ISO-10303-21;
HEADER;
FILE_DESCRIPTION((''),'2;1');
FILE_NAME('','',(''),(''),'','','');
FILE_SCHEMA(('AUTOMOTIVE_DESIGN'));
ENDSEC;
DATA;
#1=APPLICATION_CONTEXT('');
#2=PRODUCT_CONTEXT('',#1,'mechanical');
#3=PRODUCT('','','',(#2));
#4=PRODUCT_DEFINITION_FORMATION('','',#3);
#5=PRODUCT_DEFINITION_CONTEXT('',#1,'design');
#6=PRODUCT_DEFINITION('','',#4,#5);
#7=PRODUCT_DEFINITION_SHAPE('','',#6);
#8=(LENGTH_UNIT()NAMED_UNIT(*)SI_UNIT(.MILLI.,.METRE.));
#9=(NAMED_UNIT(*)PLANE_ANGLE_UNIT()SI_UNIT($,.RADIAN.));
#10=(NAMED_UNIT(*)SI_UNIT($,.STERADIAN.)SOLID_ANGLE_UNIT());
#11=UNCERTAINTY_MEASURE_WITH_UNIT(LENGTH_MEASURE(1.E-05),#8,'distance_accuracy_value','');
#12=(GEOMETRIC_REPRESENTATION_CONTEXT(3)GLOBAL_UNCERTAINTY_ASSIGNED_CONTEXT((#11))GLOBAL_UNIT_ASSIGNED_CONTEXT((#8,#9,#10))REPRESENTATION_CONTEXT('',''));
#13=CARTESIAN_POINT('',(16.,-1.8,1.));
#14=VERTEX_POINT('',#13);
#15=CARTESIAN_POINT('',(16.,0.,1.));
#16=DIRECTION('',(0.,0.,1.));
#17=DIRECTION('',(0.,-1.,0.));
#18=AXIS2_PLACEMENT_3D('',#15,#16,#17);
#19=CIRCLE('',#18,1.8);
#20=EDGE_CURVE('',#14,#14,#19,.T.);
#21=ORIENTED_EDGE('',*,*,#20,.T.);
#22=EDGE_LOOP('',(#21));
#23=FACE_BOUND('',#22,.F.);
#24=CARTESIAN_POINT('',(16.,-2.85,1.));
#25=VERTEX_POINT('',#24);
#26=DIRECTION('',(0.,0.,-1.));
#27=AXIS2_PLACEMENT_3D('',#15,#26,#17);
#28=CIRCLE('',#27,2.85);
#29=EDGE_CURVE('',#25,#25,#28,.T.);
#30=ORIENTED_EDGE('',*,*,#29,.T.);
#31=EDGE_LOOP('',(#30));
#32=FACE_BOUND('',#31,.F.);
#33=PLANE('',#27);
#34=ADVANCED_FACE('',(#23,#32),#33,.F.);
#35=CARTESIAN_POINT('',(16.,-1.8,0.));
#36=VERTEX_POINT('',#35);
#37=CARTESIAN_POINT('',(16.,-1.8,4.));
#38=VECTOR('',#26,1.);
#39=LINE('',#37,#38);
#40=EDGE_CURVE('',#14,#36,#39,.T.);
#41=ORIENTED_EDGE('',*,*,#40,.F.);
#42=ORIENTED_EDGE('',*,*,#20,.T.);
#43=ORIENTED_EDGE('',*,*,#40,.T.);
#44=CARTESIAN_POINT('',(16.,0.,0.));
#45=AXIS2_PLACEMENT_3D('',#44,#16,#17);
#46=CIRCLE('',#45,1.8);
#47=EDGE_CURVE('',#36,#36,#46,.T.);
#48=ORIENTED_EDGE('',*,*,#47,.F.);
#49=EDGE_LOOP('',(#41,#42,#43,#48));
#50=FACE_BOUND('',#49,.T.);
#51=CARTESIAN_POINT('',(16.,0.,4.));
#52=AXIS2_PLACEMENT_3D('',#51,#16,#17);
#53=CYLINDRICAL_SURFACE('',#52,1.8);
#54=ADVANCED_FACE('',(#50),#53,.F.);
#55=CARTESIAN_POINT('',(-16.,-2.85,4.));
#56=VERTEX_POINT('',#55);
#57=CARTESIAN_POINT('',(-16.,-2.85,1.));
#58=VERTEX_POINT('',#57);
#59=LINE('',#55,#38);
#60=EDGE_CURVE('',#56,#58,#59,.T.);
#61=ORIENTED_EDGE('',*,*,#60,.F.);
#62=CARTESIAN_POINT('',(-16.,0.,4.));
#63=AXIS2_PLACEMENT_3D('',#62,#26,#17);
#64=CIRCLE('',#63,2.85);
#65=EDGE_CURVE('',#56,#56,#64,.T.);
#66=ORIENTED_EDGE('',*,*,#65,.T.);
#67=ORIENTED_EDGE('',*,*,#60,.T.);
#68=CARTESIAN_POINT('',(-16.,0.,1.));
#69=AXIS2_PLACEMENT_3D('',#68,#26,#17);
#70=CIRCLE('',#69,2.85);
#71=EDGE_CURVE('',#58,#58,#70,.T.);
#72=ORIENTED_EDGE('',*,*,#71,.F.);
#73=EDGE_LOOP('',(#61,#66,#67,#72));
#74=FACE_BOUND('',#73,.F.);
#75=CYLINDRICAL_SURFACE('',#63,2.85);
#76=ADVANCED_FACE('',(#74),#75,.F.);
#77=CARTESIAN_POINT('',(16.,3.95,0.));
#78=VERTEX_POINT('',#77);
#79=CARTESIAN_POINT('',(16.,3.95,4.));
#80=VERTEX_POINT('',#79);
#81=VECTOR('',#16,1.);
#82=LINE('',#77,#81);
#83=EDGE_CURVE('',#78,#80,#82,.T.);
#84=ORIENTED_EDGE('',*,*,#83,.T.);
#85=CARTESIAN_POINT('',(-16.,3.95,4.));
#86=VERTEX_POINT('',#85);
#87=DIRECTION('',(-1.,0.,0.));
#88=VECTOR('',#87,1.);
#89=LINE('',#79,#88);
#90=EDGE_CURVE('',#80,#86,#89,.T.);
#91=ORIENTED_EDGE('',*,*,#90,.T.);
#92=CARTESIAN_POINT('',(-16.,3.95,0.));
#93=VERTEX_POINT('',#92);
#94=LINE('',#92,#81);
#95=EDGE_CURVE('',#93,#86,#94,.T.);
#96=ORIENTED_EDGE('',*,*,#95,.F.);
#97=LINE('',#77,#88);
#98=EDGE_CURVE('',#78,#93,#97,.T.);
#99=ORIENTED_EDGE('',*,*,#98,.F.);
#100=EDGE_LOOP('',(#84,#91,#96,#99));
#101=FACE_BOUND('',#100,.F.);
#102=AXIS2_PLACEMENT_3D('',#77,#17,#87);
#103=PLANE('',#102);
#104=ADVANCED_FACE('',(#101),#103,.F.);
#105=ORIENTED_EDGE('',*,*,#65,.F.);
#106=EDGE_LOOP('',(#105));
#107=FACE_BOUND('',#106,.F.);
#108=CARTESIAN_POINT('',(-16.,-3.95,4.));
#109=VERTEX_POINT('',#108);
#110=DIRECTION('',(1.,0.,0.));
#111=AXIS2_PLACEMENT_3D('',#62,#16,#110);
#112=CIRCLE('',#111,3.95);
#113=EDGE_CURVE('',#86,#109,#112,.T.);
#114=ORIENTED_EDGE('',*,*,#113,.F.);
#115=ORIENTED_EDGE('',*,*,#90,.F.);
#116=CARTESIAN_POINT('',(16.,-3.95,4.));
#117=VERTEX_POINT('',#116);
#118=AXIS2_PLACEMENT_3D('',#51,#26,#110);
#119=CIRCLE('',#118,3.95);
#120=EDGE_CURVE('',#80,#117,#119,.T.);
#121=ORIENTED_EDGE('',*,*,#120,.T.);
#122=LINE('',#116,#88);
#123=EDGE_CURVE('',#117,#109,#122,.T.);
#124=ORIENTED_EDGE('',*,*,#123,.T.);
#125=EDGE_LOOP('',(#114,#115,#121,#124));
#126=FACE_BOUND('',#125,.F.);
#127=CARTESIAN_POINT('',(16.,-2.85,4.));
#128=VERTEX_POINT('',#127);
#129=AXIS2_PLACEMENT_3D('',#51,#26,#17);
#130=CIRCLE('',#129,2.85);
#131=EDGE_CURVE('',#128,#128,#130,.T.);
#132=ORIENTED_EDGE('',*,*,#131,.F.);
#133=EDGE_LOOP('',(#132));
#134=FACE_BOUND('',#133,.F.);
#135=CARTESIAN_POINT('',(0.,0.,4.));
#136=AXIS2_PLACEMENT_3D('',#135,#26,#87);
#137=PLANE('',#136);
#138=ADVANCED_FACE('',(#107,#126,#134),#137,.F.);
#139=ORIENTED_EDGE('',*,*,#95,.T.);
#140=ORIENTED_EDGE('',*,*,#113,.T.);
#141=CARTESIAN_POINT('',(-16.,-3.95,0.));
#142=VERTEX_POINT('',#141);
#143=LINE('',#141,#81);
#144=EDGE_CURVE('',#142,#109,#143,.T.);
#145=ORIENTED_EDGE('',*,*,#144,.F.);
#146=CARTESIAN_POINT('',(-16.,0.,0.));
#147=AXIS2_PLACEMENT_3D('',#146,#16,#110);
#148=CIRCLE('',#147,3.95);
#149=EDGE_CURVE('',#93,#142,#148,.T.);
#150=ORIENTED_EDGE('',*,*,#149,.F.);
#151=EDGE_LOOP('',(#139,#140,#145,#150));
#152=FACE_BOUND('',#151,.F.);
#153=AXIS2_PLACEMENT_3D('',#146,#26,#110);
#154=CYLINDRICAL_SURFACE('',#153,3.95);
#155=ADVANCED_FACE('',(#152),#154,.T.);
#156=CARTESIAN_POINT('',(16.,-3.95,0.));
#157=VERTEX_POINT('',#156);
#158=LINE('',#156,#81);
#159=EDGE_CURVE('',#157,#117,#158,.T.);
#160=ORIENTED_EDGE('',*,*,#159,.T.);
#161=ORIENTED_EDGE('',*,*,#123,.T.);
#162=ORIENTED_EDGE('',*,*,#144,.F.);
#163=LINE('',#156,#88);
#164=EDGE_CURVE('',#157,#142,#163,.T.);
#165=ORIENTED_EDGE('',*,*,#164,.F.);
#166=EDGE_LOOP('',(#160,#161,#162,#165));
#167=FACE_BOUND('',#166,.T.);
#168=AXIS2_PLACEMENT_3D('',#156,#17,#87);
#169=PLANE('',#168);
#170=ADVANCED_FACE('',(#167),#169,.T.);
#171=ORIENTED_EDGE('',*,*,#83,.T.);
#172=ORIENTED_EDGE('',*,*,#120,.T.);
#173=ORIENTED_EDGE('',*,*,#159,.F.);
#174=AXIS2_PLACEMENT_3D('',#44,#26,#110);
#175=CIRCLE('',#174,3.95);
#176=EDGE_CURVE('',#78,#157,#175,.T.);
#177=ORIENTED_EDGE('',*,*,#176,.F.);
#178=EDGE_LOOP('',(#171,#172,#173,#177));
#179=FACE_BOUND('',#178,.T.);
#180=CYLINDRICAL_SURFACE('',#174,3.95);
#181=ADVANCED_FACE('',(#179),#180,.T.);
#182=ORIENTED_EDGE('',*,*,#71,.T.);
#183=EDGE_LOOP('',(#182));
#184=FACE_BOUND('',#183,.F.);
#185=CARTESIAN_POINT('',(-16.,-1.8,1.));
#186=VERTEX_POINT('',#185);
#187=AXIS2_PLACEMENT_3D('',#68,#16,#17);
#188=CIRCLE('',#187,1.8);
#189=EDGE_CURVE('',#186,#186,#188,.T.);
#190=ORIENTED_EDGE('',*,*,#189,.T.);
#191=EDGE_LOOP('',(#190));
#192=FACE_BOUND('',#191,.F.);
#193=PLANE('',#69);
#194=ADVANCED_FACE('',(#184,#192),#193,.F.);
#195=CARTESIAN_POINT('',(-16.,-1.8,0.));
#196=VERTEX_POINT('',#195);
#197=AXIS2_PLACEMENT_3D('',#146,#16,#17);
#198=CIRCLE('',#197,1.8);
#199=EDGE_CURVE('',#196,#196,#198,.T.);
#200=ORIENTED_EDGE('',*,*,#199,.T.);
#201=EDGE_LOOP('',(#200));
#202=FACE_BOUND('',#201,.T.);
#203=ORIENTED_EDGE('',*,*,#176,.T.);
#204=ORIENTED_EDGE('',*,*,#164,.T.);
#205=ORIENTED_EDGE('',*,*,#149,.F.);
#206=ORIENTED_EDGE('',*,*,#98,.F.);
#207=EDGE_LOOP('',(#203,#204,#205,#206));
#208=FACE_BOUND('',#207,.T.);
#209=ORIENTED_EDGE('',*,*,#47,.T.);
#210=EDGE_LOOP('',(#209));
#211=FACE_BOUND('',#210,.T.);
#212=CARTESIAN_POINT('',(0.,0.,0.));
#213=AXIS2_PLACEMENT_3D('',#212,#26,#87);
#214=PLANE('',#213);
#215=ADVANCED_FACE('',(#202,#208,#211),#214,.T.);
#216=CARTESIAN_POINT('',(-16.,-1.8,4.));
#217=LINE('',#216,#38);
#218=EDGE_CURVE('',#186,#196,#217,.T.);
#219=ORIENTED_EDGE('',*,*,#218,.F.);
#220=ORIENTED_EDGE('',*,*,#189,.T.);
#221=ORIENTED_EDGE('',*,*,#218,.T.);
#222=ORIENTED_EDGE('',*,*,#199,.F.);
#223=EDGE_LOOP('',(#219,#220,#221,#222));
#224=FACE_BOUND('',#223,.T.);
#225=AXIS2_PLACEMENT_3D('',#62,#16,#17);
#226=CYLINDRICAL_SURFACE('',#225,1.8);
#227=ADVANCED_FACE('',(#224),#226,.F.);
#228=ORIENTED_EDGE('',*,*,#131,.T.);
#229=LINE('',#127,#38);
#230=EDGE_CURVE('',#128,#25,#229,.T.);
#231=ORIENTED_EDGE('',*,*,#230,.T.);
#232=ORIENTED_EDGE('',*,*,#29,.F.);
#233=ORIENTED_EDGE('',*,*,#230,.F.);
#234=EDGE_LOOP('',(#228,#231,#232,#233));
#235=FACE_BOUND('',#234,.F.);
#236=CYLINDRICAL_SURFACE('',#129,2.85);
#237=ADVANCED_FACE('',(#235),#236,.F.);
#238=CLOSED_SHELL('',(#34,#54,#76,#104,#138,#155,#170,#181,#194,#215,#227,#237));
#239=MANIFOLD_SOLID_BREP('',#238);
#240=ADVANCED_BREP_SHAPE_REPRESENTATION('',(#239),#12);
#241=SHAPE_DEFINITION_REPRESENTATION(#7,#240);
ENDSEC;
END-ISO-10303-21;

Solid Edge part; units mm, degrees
sketch "Sketch1" plane through (0, 0, 0) normal (0, 0, 1) x (1, 0, 0)
  arc A0 (16, 3.95) -> (16, -3.95) centre (16, 0) cw
  line L0 (16, -3.95) -> (-16, -3.95)
  arc A1 (-16, 3.95) -> (-16, -3.95) centre (-16, 0) ccw
  line L1 (16, 3.95) -> (-16, 3.95)
extrude "Protrusion1" add sketch "Sketch1" along normal blind 4
hole "Hole_3" at (-16, 0, 4) direction (0, 0, -1) diameter 3.6 end up to next
hole "Hole1" at (16, 0, 4) direction (0, 0, -1) diameter 3.6 end up to next
hole "Hole_5" at (-16, 0, 4) direction (0, 0, -1) diameter 5.7 depth 3
hole "Hole2" at (16, 0, 4) direction (0, 0, -1) diameter 5.7 depth 3
